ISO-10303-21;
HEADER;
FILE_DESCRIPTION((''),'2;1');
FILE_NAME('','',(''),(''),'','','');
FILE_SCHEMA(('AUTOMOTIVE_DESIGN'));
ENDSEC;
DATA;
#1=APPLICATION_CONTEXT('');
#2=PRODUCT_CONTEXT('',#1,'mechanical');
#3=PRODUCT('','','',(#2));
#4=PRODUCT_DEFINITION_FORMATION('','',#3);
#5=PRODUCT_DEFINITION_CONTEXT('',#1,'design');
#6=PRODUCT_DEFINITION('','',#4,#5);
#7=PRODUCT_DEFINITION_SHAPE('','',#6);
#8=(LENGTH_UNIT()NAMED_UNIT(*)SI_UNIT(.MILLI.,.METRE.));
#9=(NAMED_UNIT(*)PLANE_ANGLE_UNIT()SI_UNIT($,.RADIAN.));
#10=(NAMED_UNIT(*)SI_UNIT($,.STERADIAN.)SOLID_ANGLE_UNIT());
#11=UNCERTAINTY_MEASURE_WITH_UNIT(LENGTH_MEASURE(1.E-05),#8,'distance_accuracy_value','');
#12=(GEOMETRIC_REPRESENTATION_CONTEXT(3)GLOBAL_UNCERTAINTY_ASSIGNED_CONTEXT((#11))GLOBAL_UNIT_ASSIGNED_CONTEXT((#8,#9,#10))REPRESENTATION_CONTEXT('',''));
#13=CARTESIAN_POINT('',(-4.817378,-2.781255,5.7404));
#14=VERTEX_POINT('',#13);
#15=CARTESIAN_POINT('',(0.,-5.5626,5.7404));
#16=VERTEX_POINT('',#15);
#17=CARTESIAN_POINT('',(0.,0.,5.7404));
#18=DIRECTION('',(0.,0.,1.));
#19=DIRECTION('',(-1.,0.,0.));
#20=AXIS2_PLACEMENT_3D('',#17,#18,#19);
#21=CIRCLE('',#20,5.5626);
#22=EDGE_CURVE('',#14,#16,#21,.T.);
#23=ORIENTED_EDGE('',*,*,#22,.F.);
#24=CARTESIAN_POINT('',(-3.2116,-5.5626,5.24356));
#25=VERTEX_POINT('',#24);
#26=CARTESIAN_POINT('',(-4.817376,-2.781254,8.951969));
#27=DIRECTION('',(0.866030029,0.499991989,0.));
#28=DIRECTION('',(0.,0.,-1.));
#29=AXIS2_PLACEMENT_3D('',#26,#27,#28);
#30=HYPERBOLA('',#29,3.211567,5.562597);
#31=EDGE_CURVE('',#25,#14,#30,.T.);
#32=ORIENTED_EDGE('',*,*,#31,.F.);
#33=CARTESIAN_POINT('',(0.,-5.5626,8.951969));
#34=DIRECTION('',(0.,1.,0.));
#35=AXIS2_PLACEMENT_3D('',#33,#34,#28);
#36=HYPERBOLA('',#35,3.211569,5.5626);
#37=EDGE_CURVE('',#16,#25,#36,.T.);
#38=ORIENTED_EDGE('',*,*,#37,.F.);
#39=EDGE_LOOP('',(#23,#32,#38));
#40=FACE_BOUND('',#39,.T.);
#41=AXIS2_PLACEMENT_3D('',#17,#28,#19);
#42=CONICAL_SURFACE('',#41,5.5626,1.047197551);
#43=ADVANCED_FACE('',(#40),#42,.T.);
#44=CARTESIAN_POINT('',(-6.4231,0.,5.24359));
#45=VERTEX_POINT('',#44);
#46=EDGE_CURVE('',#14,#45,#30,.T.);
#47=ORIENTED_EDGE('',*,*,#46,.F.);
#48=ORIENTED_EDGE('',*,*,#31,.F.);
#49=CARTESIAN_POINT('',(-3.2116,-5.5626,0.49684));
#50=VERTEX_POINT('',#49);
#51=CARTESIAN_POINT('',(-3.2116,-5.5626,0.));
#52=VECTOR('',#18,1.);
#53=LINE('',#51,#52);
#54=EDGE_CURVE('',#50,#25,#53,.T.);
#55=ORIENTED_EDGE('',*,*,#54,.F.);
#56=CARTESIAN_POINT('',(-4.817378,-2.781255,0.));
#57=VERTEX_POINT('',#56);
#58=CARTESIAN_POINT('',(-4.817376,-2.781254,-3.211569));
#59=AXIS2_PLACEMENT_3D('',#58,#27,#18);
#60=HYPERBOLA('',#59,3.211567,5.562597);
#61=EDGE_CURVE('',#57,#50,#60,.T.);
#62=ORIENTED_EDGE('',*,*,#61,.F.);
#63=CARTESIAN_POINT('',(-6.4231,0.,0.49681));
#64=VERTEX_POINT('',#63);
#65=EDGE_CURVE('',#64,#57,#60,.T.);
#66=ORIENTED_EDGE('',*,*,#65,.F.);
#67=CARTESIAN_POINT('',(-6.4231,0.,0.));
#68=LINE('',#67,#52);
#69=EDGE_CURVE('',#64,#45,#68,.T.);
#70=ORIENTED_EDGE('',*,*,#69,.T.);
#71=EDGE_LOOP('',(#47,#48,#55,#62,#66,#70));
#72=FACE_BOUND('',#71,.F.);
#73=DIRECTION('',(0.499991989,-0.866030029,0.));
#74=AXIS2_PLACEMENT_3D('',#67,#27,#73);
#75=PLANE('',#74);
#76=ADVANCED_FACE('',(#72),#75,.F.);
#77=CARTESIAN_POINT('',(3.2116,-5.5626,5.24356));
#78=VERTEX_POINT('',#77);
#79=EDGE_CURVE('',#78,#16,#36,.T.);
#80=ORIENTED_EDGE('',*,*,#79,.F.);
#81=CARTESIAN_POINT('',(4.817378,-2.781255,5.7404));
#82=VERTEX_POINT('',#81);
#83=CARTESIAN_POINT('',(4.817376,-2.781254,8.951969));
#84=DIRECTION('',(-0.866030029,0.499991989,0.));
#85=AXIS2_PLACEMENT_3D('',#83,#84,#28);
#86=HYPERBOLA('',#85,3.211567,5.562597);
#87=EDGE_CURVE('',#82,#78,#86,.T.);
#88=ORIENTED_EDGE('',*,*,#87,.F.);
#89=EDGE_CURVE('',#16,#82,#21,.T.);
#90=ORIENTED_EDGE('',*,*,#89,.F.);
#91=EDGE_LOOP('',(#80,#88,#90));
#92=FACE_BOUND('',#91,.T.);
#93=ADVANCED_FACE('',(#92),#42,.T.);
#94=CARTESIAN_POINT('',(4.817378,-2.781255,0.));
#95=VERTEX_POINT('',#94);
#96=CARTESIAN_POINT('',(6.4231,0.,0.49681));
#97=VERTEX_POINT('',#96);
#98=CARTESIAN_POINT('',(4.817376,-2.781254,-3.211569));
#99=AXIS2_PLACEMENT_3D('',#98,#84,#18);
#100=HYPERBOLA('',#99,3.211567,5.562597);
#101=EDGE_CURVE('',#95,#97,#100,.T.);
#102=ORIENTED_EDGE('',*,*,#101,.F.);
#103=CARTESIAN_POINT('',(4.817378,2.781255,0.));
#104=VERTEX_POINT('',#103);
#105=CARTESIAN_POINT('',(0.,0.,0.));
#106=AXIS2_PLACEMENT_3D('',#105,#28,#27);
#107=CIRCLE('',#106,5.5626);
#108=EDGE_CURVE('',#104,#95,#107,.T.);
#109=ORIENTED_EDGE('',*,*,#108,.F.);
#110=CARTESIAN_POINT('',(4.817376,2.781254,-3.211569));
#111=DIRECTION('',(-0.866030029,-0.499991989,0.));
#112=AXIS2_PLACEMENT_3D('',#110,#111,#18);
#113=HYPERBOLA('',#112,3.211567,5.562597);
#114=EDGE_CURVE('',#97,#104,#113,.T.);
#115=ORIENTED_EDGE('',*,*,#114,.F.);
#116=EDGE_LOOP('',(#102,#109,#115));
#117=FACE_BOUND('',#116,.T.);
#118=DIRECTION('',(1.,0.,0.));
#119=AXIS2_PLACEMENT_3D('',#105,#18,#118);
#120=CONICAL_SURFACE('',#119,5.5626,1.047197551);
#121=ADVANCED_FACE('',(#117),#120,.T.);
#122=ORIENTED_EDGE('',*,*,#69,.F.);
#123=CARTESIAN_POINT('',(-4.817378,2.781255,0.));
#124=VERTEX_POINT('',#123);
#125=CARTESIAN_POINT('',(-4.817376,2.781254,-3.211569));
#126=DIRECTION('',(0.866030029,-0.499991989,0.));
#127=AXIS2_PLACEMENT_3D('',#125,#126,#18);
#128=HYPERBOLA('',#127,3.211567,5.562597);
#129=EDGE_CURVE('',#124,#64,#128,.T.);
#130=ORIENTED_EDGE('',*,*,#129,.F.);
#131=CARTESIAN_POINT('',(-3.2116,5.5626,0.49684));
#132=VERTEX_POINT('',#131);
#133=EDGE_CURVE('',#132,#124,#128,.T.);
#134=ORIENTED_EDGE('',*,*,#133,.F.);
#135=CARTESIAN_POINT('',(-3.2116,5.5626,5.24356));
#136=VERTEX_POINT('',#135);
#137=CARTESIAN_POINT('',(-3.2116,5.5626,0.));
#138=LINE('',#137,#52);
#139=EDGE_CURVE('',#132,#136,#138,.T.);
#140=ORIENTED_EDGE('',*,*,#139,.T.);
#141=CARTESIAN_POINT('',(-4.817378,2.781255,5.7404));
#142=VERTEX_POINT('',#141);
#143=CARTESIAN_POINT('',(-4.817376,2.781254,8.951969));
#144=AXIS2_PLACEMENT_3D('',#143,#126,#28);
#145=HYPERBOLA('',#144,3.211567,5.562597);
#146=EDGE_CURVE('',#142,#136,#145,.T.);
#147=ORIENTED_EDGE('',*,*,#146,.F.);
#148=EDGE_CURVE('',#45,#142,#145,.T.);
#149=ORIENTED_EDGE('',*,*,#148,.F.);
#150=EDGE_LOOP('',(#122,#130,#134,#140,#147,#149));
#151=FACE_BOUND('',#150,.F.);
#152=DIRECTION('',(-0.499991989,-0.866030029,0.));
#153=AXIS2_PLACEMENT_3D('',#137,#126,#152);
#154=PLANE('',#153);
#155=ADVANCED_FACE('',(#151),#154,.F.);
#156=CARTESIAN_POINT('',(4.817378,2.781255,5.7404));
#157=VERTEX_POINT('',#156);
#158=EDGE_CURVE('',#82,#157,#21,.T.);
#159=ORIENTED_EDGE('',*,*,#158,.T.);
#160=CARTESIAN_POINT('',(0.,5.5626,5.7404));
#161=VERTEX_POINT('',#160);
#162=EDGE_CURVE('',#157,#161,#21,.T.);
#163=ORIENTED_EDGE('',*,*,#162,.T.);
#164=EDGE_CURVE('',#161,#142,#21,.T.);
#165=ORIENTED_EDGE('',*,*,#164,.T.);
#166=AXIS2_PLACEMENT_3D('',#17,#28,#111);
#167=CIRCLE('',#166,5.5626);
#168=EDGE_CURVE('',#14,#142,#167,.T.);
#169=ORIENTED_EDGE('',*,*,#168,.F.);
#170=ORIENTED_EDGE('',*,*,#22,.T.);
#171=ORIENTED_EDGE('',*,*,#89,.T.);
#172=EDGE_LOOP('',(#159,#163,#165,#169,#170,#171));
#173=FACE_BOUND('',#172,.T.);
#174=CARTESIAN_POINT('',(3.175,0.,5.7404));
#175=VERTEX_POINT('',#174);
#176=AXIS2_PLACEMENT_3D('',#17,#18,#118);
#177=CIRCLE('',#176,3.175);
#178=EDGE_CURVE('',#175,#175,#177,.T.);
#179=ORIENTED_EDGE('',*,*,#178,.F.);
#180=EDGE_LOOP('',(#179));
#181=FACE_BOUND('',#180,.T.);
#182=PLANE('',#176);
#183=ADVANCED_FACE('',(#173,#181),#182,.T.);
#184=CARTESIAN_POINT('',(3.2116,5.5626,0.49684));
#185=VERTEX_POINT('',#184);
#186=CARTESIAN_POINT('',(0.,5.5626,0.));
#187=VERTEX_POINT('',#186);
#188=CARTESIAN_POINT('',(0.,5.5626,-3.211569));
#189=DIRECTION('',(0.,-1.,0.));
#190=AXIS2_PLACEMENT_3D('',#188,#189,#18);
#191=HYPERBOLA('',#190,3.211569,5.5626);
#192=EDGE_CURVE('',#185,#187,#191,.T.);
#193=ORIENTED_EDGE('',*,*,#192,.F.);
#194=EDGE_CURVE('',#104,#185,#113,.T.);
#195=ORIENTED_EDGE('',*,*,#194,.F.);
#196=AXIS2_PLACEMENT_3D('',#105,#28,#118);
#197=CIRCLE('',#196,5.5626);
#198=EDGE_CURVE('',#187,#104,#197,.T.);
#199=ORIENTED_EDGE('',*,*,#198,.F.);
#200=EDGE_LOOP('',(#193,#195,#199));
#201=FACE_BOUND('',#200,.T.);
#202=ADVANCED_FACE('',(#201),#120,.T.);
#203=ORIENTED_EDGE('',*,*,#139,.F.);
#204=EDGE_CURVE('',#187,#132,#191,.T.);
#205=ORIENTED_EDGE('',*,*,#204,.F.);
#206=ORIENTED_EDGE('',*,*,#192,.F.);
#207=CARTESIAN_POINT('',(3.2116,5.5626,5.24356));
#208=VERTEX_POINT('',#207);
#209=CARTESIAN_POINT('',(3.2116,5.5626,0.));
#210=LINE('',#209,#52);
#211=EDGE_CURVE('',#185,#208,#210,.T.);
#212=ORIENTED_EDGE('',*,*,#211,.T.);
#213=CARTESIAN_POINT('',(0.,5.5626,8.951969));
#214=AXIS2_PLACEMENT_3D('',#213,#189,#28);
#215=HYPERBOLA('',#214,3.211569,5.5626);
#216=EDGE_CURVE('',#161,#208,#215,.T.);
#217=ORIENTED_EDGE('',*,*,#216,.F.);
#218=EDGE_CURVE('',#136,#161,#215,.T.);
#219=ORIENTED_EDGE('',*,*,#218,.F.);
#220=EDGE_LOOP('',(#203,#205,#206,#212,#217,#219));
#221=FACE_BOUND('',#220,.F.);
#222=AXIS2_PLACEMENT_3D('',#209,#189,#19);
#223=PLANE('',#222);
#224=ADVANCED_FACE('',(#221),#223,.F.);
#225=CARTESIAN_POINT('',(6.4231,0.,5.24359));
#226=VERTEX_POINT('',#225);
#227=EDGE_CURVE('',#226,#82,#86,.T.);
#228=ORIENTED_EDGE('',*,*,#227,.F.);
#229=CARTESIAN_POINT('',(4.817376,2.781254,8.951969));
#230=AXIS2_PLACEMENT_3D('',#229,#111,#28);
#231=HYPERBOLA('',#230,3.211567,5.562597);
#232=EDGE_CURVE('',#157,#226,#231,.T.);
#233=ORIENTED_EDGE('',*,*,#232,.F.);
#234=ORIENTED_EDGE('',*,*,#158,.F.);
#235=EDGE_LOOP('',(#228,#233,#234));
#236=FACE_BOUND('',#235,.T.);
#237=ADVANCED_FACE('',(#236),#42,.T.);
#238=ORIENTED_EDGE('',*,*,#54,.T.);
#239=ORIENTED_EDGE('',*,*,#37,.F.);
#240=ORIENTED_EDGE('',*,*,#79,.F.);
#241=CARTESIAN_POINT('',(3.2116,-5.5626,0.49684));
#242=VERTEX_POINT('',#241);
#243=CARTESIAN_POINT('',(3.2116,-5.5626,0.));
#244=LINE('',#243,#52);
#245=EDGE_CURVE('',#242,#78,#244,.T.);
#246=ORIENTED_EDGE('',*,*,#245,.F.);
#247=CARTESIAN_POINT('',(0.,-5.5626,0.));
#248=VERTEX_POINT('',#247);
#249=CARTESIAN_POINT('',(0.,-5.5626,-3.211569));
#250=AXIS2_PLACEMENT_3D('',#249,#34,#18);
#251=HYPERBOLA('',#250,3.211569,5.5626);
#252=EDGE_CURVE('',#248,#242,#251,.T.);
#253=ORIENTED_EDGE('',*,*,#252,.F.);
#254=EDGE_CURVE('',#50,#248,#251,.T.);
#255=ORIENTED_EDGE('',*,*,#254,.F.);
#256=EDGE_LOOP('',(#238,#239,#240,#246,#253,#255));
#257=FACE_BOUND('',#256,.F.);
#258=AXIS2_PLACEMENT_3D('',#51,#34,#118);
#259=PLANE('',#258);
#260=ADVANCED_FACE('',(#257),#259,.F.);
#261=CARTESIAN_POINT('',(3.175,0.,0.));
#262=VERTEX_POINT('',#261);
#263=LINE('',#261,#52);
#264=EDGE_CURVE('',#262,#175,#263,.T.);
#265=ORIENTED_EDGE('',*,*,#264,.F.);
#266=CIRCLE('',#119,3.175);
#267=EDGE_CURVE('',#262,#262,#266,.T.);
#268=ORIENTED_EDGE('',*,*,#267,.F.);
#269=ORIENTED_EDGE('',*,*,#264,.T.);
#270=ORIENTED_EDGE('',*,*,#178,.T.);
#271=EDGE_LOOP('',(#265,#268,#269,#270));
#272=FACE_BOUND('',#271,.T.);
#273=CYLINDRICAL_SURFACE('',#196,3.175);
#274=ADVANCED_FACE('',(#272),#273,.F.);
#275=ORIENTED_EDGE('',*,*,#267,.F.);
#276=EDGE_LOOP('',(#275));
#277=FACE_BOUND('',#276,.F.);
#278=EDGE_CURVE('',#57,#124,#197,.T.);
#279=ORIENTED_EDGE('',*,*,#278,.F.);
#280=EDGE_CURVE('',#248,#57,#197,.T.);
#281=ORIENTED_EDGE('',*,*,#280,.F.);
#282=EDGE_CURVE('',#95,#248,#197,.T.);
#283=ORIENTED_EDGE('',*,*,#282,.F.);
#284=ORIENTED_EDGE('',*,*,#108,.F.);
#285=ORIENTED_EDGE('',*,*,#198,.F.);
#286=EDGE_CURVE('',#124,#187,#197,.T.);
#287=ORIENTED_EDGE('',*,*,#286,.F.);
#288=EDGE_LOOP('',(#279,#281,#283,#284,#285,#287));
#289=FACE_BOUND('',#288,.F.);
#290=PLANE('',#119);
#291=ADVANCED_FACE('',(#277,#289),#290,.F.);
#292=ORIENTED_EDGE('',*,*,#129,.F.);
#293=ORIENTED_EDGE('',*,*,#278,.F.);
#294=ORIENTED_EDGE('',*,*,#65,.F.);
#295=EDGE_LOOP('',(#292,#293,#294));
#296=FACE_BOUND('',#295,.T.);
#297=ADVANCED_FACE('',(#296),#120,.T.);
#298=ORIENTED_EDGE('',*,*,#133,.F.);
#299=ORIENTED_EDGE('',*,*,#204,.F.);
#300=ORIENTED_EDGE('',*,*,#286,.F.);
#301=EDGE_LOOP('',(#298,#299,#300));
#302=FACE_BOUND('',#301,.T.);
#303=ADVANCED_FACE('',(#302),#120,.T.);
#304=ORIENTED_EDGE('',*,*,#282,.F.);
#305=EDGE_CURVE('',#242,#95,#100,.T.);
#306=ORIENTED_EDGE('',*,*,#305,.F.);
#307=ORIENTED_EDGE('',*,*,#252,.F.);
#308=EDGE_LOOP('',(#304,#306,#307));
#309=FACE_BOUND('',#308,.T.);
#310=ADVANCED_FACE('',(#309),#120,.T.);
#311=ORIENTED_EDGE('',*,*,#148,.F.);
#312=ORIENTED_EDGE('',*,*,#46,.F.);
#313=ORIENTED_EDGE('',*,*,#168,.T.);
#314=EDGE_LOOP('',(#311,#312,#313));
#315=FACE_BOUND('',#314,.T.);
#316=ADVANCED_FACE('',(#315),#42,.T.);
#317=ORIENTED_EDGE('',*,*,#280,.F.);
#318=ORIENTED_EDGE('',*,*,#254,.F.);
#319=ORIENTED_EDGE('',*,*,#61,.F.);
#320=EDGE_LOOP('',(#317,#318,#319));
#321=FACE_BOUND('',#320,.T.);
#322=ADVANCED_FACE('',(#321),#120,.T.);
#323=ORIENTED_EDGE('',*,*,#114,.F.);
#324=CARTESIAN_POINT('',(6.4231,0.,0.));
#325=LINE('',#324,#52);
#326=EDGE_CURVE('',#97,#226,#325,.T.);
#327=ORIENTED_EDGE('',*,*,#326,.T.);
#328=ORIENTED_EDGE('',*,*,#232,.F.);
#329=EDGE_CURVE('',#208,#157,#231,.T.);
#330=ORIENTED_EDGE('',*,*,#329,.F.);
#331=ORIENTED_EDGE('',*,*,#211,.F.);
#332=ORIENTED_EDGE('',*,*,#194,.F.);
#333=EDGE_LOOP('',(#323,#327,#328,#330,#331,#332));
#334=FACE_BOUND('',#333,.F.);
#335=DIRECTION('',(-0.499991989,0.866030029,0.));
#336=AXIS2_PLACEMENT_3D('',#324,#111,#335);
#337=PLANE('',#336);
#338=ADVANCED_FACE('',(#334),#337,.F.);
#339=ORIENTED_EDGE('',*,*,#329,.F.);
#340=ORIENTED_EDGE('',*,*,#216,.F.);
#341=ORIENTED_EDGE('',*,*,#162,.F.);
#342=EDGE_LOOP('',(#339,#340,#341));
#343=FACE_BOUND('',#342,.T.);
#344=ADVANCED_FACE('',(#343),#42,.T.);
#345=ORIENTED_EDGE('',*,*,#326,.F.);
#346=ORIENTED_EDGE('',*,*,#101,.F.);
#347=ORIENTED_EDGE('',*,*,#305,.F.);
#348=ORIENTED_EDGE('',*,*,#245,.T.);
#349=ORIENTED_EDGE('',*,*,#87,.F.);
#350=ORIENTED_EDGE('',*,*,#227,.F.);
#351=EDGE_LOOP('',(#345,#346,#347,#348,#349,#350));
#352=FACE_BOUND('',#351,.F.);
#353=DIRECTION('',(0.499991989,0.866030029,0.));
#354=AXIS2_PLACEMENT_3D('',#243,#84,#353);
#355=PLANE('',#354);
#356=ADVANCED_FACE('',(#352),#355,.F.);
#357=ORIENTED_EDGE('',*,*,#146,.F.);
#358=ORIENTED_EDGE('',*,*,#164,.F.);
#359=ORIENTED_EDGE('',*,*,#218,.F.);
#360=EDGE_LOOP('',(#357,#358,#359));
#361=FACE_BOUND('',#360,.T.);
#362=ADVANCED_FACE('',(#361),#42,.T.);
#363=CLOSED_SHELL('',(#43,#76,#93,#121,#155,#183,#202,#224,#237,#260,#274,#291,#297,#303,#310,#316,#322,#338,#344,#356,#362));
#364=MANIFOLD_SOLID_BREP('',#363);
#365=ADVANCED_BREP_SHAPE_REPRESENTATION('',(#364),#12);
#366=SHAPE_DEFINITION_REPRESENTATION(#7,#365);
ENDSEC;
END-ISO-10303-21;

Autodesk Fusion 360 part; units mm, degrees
sketch "Sketch1" plane through (0, 0, 0) normal (0, 0, 1) x (1, 0, 0)
  circle A0 centre (0, 0) radius 3.175
  line L0 (-6.4231, 0) -> (-3.2116, -5.5626)
  line L1 (-3.2116, -5.5626) -> (3.2116, -5.5626)
  line L2 (3.2116, -5.5626) -> (6.4231, 0)
  line L3 (6.4231, 0) -> (3.2116, 5.5626)
  line L4 (3.2116, 5.5626) -> (-3.2116, 5.5626)
  line L5 (-3.2116, 5.5626) -> (-6.4231, 0)
  dimension "diameter" = 6.35
  dimension "hexwidth" = 11.1252
extrude "Extrude1" add sketch "Sketch1" along normal blind 5.7404
sketch "Sketch2" plane through (0, 0, 5.7404) normal (0, 0, 1) x (-1, 0, 0)
  circle A0 centre (0, 0) radius 3.175 construction
  line L0 (3.2116, -5.5626) -> (6.4231, 0) construction
  line L1 (6.4231, 0) -> (3.2116, 5.5626) construction
  line L2 (3.2116, 5.5626) -> (-3.2116, 5.5626) construction
  line L3 (-3.2116, 5.5626) -> (-6.4231, 0) construction
  line L4 (-6.4231, 0) -> (-3.2116, -5.5626) construction
  line L5 (-3.2116, -5.5626) -> (3.2116, -5.5626) construction
  circle A1 centre (0, 0) radius 5.5626
  circle A2 centre (0, 0) radius 30.9626
  dimension "hexcutoffset2" = 25.4
extrude "Extrude2" cut sketch "Sketch2" against normal blind 0.7366 draft -60
sketch "Sketch3" plane through (0, 0, 0) normal (0, 0, -1) x (1, 0, 0)
  circle A0 centre (0, 0) radius 3.175 construction
  line L0 (-6.4231, 0) -> (-3.2116, -5.5626) construction
  line L1 (-3.2116, -5.5626) -> (3.2116, -5.5626) construction
  line L2 (3.2116, -5.5626) -> (6.4231, 0) construction
  line L3 (6.4231, 0) -> (3.2116, 5.5626) construction
  line L4 (3.2116, 5.5626) -> (-3.2116, 5.5626) construction
  line L5 (-3.2116, 5.5626) -> (-6.4231, 0) construction
  circle A1 centre (0, 0) radius 5.5626
  circle A2 centre (0, 0) radius 30.9626
  dimension "hexcutoffset1" = 25.4
extrude "Extrude3" cut sketch "Sketch3" against normal blind 1.0414 draft -60
equation "thickness = 0.226 in"
equation "hexcut1 = -0.029 in"
equation "hexcut2 = -0.041 in"
